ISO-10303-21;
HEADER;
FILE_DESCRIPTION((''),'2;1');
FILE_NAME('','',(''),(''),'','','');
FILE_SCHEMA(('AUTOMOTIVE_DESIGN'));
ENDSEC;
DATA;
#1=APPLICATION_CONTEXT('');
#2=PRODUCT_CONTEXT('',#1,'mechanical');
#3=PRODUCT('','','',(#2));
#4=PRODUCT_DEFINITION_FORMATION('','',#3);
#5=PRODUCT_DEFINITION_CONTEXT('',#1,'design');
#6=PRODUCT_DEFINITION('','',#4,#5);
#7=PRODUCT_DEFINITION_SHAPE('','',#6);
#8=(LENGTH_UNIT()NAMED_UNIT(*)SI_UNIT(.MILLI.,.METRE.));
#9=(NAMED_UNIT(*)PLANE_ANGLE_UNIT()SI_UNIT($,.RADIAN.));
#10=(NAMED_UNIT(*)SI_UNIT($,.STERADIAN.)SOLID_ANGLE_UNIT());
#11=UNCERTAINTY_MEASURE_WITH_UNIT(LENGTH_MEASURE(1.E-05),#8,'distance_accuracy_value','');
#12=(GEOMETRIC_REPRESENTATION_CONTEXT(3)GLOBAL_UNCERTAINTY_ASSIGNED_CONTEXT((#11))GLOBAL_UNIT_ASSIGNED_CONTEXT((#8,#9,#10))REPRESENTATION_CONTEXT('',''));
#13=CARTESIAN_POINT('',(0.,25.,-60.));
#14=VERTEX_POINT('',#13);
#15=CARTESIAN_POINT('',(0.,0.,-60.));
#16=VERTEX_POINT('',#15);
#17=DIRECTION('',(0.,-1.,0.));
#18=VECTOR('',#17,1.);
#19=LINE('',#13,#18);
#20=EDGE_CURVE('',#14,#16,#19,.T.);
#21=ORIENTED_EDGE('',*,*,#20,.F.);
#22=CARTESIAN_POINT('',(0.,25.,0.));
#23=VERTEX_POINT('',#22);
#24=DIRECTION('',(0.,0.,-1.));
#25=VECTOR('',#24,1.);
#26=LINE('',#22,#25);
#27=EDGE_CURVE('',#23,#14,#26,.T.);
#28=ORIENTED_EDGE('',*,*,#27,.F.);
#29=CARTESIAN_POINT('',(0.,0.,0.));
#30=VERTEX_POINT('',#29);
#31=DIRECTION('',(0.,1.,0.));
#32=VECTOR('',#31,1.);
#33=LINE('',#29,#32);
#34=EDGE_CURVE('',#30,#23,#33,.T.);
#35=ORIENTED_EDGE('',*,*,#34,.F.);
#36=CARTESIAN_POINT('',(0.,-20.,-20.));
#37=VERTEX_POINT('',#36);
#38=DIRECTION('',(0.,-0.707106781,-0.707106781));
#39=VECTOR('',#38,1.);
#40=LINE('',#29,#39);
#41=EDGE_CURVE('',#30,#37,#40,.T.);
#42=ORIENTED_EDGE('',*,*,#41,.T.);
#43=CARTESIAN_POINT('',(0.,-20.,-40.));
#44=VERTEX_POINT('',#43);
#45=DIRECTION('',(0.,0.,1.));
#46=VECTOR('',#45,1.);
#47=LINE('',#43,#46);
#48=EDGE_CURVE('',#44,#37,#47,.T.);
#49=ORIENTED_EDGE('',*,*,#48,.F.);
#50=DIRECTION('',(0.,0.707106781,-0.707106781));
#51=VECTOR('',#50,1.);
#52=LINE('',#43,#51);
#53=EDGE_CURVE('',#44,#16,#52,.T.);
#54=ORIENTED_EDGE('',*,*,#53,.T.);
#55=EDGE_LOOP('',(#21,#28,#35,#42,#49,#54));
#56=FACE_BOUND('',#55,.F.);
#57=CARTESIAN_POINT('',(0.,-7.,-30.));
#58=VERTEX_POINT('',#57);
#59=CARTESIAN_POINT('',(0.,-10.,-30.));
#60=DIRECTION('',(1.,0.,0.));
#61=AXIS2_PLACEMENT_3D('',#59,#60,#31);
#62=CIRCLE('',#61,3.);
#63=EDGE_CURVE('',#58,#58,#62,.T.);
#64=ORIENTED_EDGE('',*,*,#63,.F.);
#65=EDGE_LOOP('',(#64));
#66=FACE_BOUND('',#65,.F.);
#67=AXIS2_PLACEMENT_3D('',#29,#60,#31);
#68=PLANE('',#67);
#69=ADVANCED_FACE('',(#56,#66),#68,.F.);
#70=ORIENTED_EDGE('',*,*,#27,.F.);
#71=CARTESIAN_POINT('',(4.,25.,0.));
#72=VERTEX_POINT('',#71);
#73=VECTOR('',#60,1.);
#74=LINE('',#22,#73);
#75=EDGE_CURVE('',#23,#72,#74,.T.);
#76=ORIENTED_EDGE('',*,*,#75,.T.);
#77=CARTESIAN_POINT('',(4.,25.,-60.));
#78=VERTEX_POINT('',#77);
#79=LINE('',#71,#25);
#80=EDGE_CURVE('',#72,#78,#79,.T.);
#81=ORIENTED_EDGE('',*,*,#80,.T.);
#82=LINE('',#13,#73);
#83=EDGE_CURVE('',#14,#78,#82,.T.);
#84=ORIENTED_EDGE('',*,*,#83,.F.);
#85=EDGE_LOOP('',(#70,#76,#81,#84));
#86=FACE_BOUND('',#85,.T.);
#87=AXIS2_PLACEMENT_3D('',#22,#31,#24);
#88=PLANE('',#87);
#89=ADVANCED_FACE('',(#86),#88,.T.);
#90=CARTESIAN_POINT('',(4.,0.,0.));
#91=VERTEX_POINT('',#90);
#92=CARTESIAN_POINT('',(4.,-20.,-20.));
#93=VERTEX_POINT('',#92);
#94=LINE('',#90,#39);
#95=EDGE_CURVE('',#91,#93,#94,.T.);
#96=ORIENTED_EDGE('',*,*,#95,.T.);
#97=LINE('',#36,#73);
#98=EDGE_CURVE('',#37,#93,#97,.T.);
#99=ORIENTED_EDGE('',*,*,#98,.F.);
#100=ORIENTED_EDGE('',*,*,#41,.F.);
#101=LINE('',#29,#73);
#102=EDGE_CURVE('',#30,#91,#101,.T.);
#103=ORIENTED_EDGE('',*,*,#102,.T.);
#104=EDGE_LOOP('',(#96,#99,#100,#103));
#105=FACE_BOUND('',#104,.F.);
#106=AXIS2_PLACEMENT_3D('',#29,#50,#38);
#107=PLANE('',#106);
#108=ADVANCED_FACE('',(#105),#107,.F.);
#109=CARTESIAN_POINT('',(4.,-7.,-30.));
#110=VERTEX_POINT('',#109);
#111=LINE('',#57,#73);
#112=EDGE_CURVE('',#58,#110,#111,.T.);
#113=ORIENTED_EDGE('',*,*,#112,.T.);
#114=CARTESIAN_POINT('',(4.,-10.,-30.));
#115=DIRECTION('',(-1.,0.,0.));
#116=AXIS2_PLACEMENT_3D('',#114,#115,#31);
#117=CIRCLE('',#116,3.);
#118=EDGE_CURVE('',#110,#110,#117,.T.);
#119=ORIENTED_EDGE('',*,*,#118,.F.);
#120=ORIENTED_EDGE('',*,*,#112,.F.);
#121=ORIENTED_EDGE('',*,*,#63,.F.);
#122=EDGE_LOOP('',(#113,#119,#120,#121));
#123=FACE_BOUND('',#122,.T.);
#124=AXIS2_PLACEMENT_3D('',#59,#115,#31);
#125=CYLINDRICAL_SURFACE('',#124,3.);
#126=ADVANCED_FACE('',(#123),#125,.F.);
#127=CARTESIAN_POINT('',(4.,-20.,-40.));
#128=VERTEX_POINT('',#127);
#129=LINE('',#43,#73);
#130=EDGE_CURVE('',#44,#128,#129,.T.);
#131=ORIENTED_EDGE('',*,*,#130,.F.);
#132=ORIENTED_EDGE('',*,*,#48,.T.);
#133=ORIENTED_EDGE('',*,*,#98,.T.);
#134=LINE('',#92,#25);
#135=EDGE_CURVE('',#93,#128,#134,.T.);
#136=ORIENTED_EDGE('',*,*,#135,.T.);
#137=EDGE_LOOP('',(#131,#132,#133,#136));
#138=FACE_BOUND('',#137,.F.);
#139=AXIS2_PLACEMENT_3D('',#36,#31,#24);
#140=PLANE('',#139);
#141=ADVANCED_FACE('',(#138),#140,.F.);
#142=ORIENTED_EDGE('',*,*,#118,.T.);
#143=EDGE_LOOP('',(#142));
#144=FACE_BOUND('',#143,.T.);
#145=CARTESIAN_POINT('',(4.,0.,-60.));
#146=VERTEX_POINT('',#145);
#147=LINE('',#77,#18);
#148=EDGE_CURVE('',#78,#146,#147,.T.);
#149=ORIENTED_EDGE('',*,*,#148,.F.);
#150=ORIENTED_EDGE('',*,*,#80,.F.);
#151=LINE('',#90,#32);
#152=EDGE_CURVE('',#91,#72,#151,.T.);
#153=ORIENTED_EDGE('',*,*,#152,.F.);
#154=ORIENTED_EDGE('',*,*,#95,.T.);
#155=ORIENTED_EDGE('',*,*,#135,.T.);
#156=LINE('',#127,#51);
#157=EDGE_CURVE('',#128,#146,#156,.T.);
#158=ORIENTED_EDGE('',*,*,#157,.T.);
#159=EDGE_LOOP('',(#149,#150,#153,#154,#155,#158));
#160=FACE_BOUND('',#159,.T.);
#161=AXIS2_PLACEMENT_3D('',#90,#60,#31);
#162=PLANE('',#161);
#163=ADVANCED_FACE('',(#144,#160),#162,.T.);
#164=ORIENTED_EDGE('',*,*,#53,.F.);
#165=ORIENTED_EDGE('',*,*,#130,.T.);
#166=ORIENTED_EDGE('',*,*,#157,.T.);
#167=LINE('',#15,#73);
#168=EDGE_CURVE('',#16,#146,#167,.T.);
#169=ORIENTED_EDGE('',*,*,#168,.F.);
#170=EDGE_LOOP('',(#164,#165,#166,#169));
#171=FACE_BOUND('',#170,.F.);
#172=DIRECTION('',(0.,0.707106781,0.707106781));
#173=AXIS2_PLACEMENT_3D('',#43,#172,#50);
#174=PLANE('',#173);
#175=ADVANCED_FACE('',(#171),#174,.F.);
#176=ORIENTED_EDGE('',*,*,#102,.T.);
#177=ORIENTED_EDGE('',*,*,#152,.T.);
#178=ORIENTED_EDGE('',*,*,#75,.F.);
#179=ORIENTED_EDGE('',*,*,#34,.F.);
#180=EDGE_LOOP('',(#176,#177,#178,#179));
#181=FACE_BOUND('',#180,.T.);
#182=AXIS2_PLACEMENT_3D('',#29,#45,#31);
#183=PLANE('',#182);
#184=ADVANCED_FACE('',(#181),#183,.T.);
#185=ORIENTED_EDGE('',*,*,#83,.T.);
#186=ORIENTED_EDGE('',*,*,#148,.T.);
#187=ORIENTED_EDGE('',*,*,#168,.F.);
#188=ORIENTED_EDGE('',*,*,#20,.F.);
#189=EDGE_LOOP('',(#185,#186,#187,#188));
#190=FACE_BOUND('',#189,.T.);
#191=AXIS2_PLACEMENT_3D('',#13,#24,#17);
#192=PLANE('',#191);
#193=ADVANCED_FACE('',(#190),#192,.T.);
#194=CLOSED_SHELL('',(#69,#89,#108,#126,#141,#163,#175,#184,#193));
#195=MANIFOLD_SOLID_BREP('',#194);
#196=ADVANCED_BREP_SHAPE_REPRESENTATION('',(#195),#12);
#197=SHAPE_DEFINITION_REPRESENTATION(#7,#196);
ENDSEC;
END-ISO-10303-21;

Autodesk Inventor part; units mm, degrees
sketch "Sketch1" plane through (0, 0, 0) normal (1, 0, 0) x (0, 1, 0)
  line L0 (0, 0) -> (25, 0)
  line L1 (25, 0) -> (25, -60)
  line L2 (25, -60) -> (0, -60)
  line L3 (0, -60) -> (0, 0)
  line L4 (0, -20) -> (-20, -20)
  line L5 (-20, -20) -> (-20, -40)
  line L6 (-20, -40) -> (0, -40)
  line L7 (0, -40) -> (0, -20)
  line L8 (0, 0) -> (-20, -20)
  line L9 (-20, -40) -> (0, -60)
  line L10 (0, -30) -> (-20, -30)
  circle A0 centre (-10, -30) radius 3
  dimension "d0" = 25
  dimension "d1" = 60
  dimension "d2" = 20
  dimension "d3" = 20
  dimension "d4" = 6
extrude "Extrusion1" add sketch "Sketch1" along normal blind 4 contours L0 L1 L2 L3 | L3 L4 L8 | L3 L10 A0 L5 L4 | L3 L6 L5 L10 A0 | L9 L6 L3
properties part number "stickplate"
